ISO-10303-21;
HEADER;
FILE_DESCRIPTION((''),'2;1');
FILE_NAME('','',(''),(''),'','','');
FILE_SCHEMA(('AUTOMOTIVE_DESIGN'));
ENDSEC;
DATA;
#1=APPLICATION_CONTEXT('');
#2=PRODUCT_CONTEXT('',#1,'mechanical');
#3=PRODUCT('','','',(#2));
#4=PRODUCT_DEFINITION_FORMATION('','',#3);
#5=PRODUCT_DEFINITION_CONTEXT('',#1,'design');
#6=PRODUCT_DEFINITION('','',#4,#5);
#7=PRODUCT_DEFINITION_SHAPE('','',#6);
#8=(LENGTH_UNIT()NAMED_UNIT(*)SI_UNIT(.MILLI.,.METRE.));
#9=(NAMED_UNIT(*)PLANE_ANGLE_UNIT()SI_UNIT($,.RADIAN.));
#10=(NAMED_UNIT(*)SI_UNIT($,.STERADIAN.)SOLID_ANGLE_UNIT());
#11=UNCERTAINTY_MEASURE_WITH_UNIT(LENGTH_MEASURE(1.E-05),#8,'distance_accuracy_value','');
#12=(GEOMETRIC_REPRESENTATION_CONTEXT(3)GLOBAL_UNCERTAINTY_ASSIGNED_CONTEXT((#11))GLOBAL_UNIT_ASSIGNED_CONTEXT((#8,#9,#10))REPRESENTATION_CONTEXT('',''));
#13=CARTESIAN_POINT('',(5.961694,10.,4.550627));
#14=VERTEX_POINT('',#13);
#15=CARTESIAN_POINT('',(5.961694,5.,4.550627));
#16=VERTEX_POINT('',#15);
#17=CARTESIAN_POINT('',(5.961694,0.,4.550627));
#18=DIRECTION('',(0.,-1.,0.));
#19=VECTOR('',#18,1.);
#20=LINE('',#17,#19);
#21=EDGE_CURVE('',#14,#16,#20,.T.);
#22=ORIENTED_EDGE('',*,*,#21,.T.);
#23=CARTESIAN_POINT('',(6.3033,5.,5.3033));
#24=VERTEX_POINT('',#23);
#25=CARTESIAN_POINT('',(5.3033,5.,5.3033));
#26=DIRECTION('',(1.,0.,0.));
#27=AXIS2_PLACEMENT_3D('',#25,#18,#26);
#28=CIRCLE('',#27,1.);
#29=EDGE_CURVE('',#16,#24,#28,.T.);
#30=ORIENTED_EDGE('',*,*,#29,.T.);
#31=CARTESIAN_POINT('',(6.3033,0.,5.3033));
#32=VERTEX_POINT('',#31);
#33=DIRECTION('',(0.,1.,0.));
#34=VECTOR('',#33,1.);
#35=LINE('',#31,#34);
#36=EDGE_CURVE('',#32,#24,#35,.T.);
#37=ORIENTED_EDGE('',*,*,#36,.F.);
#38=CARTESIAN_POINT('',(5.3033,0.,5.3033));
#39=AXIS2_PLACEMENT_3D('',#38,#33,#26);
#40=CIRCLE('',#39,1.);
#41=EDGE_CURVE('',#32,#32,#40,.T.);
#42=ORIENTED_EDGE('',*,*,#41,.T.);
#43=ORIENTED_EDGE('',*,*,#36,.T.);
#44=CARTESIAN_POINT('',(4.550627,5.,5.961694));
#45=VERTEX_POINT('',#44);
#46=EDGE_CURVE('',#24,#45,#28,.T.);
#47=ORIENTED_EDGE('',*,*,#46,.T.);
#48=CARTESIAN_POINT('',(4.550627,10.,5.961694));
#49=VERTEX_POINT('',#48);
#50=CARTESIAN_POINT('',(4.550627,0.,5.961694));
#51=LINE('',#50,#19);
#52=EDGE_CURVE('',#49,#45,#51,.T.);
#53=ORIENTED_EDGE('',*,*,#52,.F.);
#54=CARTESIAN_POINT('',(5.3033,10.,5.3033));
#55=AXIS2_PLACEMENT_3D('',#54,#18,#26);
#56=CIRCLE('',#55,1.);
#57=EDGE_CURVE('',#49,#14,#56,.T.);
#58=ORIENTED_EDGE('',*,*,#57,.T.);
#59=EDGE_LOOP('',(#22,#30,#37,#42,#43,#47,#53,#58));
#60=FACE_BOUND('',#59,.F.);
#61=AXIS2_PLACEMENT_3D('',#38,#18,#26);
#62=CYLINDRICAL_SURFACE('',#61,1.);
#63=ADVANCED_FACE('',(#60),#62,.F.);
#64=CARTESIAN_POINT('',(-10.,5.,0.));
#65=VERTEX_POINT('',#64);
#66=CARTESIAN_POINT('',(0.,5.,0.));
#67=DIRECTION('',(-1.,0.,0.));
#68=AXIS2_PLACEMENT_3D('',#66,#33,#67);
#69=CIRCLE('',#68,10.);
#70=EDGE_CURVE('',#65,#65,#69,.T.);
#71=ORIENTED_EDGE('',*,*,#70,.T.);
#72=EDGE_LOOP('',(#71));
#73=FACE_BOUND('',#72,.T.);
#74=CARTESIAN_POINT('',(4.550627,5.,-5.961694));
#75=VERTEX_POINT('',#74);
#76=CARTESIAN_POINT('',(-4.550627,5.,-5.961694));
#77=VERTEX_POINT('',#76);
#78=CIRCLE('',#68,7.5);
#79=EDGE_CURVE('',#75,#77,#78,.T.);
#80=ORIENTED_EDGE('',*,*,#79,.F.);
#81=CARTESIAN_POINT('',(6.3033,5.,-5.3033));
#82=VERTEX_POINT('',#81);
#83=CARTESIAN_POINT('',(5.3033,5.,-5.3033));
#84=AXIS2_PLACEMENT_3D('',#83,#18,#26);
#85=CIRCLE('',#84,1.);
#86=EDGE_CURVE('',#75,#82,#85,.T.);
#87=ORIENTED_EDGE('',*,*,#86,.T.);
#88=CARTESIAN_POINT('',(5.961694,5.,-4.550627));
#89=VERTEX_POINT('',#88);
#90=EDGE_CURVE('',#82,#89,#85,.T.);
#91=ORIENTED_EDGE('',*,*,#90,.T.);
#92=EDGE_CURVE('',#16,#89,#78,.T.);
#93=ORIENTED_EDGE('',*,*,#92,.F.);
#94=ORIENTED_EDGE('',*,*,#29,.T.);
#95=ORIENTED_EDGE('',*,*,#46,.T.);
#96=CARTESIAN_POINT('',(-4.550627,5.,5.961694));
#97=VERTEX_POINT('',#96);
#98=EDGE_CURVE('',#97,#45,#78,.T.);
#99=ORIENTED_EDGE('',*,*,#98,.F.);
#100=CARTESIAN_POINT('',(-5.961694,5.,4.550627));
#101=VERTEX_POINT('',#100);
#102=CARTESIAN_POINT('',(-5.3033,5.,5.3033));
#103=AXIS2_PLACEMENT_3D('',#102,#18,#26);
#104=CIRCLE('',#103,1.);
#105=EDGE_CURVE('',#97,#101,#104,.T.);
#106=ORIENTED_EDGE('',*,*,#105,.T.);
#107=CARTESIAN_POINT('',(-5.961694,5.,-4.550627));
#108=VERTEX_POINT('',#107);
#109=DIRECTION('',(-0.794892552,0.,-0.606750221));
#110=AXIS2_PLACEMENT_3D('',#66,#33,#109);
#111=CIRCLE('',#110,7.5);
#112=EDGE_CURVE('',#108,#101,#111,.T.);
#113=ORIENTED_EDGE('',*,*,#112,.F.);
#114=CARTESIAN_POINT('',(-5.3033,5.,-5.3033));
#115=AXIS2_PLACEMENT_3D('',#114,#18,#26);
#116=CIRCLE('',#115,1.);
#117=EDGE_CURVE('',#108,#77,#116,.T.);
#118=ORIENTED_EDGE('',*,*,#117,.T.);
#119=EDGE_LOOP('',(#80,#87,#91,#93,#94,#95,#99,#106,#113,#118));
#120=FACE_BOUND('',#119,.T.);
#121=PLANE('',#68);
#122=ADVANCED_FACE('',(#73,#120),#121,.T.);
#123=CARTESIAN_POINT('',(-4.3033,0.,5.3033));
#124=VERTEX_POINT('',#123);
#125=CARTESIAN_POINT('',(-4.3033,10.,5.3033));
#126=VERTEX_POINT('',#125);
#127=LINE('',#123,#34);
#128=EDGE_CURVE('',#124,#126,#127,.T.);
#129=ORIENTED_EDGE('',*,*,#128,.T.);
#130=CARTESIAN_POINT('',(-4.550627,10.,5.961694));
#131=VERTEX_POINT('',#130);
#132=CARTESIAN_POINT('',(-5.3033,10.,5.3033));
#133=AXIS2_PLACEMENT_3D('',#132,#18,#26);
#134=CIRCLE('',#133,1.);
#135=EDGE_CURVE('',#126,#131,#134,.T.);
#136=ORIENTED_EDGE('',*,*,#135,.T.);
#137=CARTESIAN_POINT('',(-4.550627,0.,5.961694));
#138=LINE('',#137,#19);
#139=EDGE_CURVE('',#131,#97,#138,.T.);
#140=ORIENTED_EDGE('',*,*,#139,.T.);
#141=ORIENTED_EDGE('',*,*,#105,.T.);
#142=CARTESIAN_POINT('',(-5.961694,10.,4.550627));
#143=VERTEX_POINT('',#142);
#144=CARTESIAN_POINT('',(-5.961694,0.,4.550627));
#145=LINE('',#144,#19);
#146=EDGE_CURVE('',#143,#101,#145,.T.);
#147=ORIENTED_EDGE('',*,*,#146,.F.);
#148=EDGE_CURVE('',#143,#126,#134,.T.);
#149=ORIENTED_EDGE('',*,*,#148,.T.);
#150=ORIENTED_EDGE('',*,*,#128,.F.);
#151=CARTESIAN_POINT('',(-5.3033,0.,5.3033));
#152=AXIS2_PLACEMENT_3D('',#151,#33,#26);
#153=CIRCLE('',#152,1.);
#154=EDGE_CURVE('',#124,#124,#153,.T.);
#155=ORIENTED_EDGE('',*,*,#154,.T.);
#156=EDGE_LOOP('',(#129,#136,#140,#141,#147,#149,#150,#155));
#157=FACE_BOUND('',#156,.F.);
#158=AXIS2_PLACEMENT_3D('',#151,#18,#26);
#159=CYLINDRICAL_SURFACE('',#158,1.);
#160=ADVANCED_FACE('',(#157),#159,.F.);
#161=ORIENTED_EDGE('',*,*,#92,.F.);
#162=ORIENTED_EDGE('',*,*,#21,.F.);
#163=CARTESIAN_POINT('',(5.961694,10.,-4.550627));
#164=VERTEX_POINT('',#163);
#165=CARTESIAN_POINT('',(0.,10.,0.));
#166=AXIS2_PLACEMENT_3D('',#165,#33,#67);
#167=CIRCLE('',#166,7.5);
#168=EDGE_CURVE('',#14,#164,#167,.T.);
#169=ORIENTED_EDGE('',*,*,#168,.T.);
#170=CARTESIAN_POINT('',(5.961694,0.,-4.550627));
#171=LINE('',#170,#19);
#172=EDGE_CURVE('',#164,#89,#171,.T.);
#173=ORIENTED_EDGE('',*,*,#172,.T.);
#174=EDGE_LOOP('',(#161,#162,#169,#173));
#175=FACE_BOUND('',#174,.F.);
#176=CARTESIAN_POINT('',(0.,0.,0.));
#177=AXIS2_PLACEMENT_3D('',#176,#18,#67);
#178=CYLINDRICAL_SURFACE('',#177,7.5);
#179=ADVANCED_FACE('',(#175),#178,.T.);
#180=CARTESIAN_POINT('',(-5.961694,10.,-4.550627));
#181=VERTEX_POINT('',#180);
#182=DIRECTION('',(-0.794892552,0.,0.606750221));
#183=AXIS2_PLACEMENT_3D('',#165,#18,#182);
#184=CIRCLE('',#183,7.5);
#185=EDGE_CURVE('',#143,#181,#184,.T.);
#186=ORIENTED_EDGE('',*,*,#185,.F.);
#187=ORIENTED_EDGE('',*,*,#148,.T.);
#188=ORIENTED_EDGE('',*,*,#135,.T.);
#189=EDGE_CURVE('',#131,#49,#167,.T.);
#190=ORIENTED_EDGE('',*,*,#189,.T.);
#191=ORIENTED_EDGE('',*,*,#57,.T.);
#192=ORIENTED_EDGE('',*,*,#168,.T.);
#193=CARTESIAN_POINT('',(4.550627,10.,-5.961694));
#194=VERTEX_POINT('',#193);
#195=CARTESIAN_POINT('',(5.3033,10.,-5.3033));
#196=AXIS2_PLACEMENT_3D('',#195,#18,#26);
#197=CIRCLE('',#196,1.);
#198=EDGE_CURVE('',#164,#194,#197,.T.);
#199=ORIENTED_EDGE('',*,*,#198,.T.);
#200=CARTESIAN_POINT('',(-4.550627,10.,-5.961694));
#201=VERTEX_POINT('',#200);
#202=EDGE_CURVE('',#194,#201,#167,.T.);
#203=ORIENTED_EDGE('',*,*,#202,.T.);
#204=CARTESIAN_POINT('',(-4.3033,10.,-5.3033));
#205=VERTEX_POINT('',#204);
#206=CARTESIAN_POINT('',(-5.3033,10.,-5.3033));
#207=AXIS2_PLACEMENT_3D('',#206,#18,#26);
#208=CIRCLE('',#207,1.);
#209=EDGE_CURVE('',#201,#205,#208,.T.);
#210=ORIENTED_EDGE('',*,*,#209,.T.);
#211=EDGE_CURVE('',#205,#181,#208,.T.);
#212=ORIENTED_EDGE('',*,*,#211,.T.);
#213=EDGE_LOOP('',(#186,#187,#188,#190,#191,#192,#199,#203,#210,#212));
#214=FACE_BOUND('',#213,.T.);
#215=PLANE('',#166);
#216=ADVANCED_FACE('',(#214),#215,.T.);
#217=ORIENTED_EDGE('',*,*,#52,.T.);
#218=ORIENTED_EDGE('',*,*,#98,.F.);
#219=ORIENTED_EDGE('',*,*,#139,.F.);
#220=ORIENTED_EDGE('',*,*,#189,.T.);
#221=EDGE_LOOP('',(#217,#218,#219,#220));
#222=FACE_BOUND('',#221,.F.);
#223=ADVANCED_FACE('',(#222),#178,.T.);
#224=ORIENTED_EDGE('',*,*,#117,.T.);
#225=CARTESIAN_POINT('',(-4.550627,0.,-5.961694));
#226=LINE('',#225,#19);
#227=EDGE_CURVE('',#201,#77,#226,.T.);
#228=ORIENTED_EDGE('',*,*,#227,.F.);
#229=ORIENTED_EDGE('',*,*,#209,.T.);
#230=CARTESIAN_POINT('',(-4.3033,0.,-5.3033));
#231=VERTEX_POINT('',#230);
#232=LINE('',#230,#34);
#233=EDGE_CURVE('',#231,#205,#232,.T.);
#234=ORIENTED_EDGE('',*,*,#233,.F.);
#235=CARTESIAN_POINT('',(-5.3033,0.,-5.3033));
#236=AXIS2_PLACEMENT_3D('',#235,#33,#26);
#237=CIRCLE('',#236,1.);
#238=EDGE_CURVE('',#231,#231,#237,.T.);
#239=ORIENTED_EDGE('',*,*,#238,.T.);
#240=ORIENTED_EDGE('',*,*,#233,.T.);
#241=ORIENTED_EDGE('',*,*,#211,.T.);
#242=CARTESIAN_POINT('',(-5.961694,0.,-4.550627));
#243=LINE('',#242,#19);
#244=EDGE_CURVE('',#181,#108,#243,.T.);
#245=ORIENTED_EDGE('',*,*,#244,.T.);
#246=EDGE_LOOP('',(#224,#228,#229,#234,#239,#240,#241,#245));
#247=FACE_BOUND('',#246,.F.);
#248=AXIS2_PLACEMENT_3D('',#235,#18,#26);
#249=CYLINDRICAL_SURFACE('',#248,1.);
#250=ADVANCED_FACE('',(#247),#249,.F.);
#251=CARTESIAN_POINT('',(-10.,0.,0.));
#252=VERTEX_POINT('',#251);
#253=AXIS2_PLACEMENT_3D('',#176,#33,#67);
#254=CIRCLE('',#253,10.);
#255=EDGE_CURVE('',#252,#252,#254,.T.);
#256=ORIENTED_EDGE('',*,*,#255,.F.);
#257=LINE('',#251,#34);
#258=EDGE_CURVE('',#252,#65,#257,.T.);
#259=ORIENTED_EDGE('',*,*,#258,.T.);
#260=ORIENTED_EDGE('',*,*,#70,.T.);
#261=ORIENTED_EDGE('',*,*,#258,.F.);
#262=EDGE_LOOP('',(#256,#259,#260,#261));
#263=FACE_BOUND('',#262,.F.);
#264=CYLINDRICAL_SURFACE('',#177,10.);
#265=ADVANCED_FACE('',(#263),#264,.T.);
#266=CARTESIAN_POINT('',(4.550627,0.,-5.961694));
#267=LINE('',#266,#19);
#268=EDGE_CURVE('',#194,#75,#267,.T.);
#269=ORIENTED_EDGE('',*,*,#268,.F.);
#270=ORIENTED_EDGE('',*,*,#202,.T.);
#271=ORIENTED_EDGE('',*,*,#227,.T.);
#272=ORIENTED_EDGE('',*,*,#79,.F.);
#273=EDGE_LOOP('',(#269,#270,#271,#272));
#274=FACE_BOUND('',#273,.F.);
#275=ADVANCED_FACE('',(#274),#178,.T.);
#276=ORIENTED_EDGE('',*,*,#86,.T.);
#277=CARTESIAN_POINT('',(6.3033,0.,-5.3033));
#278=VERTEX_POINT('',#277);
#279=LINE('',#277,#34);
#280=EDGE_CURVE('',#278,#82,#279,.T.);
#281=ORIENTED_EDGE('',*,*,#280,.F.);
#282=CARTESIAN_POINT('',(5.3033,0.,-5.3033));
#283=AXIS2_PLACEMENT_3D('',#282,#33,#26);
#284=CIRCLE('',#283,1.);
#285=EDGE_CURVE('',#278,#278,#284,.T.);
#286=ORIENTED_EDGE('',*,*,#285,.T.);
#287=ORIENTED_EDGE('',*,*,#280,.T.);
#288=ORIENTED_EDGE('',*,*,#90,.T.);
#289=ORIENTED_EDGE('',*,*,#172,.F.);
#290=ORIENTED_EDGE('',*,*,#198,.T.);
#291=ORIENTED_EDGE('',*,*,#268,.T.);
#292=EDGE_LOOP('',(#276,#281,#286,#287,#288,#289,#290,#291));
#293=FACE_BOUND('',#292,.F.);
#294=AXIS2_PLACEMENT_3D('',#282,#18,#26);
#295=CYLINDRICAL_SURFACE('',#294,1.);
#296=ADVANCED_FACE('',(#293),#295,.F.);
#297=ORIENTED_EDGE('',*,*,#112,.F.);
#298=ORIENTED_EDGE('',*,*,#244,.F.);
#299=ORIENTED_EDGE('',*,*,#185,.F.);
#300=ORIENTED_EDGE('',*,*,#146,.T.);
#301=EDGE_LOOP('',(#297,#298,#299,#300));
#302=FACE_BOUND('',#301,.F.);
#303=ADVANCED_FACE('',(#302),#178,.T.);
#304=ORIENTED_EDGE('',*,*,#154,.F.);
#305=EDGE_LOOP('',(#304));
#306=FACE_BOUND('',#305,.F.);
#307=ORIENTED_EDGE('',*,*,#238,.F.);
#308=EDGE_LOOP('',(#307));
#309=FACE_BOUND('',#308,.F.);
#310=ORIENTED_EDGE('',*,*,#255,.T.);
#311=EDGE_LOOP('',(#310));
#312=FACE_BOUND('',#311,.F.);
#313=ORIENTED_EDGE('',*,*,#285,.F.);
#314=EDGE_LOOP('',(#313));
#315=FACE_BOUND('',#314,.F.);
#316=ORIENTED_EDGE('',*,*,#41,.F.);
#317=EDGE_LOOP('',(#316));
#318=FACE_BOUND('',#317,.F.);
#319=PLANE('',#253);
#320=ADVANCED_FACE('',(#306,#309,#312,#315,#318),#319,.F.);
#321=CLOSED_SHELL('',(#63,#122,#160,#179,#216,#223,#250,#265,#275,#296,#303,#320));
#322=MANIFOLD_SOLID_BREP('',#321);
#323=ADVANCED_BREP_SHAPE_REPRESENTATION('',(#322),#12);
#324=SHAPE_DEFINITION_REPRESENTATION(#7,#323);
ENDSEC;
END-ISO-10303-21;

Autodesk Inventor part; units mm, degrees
ref_plane "YZ Plane" through (0, 0, 0) normal (1, 0, 0) x (0, 1, 0)
ref_plane "XZ Plane" through (0, 0, 0) normal (0, 1, 0) x (-1, 0, 0)
ref_plane "XY Plane" through (0, 0, 0) normal (0, 0, 1) x (1, 0, 0)
sketch "Sketch1" plane through (0, 0, 0) normal (0, 1, 0) x (-1, 0, 0)
  circle A0 centre (0, 0) radius 10
  circle A1 centre (0, 0) radius 7.5
  dimension "d0" = 20
  dimension "d1" = 15
extrude "Extrusion1" add sketch "Sketch1" along normal blind 10 contours A1
extrude "Extrusion2" add sketch "Sketch1" along normal blind 5
sketch "Sketch2" plane through (0, 0, 0) normal (0, -1, 0) x (1, 0, 0)
  circle A0 centre (0, 0) radius 10 projected
  line L0 (0, 0) -> (10, 0) construction
  line L1 (7.0711, -7.0711) -> (6.0104, -6.0104)
  circle A1 centre (0, 0) radius 7.5 projected
  circle A2 centre (5.3033, 5.3033) radius 1
  line L2 (0, 0) -> (2.7588, 0)
  line L3 (0, 0) -> (0, -2.4662)
  circle A3 centre (5.3033, -5.3033) radius 1
  circle A4 centre (-5.3033, 5.3033) radius 1
  circle A5 centre (-5.3033, -5.3033) radius 1
  dimension "d7" = 2
extrude "Extrusion3" cut sketch "Sketch2" against normal blind 10 contours A3 A1 | A3 A1 | A5 A1 | A1 A5 | A2 A1 | A1 A2 | A4 A1 | A1 A4
properties part number "magnete"
